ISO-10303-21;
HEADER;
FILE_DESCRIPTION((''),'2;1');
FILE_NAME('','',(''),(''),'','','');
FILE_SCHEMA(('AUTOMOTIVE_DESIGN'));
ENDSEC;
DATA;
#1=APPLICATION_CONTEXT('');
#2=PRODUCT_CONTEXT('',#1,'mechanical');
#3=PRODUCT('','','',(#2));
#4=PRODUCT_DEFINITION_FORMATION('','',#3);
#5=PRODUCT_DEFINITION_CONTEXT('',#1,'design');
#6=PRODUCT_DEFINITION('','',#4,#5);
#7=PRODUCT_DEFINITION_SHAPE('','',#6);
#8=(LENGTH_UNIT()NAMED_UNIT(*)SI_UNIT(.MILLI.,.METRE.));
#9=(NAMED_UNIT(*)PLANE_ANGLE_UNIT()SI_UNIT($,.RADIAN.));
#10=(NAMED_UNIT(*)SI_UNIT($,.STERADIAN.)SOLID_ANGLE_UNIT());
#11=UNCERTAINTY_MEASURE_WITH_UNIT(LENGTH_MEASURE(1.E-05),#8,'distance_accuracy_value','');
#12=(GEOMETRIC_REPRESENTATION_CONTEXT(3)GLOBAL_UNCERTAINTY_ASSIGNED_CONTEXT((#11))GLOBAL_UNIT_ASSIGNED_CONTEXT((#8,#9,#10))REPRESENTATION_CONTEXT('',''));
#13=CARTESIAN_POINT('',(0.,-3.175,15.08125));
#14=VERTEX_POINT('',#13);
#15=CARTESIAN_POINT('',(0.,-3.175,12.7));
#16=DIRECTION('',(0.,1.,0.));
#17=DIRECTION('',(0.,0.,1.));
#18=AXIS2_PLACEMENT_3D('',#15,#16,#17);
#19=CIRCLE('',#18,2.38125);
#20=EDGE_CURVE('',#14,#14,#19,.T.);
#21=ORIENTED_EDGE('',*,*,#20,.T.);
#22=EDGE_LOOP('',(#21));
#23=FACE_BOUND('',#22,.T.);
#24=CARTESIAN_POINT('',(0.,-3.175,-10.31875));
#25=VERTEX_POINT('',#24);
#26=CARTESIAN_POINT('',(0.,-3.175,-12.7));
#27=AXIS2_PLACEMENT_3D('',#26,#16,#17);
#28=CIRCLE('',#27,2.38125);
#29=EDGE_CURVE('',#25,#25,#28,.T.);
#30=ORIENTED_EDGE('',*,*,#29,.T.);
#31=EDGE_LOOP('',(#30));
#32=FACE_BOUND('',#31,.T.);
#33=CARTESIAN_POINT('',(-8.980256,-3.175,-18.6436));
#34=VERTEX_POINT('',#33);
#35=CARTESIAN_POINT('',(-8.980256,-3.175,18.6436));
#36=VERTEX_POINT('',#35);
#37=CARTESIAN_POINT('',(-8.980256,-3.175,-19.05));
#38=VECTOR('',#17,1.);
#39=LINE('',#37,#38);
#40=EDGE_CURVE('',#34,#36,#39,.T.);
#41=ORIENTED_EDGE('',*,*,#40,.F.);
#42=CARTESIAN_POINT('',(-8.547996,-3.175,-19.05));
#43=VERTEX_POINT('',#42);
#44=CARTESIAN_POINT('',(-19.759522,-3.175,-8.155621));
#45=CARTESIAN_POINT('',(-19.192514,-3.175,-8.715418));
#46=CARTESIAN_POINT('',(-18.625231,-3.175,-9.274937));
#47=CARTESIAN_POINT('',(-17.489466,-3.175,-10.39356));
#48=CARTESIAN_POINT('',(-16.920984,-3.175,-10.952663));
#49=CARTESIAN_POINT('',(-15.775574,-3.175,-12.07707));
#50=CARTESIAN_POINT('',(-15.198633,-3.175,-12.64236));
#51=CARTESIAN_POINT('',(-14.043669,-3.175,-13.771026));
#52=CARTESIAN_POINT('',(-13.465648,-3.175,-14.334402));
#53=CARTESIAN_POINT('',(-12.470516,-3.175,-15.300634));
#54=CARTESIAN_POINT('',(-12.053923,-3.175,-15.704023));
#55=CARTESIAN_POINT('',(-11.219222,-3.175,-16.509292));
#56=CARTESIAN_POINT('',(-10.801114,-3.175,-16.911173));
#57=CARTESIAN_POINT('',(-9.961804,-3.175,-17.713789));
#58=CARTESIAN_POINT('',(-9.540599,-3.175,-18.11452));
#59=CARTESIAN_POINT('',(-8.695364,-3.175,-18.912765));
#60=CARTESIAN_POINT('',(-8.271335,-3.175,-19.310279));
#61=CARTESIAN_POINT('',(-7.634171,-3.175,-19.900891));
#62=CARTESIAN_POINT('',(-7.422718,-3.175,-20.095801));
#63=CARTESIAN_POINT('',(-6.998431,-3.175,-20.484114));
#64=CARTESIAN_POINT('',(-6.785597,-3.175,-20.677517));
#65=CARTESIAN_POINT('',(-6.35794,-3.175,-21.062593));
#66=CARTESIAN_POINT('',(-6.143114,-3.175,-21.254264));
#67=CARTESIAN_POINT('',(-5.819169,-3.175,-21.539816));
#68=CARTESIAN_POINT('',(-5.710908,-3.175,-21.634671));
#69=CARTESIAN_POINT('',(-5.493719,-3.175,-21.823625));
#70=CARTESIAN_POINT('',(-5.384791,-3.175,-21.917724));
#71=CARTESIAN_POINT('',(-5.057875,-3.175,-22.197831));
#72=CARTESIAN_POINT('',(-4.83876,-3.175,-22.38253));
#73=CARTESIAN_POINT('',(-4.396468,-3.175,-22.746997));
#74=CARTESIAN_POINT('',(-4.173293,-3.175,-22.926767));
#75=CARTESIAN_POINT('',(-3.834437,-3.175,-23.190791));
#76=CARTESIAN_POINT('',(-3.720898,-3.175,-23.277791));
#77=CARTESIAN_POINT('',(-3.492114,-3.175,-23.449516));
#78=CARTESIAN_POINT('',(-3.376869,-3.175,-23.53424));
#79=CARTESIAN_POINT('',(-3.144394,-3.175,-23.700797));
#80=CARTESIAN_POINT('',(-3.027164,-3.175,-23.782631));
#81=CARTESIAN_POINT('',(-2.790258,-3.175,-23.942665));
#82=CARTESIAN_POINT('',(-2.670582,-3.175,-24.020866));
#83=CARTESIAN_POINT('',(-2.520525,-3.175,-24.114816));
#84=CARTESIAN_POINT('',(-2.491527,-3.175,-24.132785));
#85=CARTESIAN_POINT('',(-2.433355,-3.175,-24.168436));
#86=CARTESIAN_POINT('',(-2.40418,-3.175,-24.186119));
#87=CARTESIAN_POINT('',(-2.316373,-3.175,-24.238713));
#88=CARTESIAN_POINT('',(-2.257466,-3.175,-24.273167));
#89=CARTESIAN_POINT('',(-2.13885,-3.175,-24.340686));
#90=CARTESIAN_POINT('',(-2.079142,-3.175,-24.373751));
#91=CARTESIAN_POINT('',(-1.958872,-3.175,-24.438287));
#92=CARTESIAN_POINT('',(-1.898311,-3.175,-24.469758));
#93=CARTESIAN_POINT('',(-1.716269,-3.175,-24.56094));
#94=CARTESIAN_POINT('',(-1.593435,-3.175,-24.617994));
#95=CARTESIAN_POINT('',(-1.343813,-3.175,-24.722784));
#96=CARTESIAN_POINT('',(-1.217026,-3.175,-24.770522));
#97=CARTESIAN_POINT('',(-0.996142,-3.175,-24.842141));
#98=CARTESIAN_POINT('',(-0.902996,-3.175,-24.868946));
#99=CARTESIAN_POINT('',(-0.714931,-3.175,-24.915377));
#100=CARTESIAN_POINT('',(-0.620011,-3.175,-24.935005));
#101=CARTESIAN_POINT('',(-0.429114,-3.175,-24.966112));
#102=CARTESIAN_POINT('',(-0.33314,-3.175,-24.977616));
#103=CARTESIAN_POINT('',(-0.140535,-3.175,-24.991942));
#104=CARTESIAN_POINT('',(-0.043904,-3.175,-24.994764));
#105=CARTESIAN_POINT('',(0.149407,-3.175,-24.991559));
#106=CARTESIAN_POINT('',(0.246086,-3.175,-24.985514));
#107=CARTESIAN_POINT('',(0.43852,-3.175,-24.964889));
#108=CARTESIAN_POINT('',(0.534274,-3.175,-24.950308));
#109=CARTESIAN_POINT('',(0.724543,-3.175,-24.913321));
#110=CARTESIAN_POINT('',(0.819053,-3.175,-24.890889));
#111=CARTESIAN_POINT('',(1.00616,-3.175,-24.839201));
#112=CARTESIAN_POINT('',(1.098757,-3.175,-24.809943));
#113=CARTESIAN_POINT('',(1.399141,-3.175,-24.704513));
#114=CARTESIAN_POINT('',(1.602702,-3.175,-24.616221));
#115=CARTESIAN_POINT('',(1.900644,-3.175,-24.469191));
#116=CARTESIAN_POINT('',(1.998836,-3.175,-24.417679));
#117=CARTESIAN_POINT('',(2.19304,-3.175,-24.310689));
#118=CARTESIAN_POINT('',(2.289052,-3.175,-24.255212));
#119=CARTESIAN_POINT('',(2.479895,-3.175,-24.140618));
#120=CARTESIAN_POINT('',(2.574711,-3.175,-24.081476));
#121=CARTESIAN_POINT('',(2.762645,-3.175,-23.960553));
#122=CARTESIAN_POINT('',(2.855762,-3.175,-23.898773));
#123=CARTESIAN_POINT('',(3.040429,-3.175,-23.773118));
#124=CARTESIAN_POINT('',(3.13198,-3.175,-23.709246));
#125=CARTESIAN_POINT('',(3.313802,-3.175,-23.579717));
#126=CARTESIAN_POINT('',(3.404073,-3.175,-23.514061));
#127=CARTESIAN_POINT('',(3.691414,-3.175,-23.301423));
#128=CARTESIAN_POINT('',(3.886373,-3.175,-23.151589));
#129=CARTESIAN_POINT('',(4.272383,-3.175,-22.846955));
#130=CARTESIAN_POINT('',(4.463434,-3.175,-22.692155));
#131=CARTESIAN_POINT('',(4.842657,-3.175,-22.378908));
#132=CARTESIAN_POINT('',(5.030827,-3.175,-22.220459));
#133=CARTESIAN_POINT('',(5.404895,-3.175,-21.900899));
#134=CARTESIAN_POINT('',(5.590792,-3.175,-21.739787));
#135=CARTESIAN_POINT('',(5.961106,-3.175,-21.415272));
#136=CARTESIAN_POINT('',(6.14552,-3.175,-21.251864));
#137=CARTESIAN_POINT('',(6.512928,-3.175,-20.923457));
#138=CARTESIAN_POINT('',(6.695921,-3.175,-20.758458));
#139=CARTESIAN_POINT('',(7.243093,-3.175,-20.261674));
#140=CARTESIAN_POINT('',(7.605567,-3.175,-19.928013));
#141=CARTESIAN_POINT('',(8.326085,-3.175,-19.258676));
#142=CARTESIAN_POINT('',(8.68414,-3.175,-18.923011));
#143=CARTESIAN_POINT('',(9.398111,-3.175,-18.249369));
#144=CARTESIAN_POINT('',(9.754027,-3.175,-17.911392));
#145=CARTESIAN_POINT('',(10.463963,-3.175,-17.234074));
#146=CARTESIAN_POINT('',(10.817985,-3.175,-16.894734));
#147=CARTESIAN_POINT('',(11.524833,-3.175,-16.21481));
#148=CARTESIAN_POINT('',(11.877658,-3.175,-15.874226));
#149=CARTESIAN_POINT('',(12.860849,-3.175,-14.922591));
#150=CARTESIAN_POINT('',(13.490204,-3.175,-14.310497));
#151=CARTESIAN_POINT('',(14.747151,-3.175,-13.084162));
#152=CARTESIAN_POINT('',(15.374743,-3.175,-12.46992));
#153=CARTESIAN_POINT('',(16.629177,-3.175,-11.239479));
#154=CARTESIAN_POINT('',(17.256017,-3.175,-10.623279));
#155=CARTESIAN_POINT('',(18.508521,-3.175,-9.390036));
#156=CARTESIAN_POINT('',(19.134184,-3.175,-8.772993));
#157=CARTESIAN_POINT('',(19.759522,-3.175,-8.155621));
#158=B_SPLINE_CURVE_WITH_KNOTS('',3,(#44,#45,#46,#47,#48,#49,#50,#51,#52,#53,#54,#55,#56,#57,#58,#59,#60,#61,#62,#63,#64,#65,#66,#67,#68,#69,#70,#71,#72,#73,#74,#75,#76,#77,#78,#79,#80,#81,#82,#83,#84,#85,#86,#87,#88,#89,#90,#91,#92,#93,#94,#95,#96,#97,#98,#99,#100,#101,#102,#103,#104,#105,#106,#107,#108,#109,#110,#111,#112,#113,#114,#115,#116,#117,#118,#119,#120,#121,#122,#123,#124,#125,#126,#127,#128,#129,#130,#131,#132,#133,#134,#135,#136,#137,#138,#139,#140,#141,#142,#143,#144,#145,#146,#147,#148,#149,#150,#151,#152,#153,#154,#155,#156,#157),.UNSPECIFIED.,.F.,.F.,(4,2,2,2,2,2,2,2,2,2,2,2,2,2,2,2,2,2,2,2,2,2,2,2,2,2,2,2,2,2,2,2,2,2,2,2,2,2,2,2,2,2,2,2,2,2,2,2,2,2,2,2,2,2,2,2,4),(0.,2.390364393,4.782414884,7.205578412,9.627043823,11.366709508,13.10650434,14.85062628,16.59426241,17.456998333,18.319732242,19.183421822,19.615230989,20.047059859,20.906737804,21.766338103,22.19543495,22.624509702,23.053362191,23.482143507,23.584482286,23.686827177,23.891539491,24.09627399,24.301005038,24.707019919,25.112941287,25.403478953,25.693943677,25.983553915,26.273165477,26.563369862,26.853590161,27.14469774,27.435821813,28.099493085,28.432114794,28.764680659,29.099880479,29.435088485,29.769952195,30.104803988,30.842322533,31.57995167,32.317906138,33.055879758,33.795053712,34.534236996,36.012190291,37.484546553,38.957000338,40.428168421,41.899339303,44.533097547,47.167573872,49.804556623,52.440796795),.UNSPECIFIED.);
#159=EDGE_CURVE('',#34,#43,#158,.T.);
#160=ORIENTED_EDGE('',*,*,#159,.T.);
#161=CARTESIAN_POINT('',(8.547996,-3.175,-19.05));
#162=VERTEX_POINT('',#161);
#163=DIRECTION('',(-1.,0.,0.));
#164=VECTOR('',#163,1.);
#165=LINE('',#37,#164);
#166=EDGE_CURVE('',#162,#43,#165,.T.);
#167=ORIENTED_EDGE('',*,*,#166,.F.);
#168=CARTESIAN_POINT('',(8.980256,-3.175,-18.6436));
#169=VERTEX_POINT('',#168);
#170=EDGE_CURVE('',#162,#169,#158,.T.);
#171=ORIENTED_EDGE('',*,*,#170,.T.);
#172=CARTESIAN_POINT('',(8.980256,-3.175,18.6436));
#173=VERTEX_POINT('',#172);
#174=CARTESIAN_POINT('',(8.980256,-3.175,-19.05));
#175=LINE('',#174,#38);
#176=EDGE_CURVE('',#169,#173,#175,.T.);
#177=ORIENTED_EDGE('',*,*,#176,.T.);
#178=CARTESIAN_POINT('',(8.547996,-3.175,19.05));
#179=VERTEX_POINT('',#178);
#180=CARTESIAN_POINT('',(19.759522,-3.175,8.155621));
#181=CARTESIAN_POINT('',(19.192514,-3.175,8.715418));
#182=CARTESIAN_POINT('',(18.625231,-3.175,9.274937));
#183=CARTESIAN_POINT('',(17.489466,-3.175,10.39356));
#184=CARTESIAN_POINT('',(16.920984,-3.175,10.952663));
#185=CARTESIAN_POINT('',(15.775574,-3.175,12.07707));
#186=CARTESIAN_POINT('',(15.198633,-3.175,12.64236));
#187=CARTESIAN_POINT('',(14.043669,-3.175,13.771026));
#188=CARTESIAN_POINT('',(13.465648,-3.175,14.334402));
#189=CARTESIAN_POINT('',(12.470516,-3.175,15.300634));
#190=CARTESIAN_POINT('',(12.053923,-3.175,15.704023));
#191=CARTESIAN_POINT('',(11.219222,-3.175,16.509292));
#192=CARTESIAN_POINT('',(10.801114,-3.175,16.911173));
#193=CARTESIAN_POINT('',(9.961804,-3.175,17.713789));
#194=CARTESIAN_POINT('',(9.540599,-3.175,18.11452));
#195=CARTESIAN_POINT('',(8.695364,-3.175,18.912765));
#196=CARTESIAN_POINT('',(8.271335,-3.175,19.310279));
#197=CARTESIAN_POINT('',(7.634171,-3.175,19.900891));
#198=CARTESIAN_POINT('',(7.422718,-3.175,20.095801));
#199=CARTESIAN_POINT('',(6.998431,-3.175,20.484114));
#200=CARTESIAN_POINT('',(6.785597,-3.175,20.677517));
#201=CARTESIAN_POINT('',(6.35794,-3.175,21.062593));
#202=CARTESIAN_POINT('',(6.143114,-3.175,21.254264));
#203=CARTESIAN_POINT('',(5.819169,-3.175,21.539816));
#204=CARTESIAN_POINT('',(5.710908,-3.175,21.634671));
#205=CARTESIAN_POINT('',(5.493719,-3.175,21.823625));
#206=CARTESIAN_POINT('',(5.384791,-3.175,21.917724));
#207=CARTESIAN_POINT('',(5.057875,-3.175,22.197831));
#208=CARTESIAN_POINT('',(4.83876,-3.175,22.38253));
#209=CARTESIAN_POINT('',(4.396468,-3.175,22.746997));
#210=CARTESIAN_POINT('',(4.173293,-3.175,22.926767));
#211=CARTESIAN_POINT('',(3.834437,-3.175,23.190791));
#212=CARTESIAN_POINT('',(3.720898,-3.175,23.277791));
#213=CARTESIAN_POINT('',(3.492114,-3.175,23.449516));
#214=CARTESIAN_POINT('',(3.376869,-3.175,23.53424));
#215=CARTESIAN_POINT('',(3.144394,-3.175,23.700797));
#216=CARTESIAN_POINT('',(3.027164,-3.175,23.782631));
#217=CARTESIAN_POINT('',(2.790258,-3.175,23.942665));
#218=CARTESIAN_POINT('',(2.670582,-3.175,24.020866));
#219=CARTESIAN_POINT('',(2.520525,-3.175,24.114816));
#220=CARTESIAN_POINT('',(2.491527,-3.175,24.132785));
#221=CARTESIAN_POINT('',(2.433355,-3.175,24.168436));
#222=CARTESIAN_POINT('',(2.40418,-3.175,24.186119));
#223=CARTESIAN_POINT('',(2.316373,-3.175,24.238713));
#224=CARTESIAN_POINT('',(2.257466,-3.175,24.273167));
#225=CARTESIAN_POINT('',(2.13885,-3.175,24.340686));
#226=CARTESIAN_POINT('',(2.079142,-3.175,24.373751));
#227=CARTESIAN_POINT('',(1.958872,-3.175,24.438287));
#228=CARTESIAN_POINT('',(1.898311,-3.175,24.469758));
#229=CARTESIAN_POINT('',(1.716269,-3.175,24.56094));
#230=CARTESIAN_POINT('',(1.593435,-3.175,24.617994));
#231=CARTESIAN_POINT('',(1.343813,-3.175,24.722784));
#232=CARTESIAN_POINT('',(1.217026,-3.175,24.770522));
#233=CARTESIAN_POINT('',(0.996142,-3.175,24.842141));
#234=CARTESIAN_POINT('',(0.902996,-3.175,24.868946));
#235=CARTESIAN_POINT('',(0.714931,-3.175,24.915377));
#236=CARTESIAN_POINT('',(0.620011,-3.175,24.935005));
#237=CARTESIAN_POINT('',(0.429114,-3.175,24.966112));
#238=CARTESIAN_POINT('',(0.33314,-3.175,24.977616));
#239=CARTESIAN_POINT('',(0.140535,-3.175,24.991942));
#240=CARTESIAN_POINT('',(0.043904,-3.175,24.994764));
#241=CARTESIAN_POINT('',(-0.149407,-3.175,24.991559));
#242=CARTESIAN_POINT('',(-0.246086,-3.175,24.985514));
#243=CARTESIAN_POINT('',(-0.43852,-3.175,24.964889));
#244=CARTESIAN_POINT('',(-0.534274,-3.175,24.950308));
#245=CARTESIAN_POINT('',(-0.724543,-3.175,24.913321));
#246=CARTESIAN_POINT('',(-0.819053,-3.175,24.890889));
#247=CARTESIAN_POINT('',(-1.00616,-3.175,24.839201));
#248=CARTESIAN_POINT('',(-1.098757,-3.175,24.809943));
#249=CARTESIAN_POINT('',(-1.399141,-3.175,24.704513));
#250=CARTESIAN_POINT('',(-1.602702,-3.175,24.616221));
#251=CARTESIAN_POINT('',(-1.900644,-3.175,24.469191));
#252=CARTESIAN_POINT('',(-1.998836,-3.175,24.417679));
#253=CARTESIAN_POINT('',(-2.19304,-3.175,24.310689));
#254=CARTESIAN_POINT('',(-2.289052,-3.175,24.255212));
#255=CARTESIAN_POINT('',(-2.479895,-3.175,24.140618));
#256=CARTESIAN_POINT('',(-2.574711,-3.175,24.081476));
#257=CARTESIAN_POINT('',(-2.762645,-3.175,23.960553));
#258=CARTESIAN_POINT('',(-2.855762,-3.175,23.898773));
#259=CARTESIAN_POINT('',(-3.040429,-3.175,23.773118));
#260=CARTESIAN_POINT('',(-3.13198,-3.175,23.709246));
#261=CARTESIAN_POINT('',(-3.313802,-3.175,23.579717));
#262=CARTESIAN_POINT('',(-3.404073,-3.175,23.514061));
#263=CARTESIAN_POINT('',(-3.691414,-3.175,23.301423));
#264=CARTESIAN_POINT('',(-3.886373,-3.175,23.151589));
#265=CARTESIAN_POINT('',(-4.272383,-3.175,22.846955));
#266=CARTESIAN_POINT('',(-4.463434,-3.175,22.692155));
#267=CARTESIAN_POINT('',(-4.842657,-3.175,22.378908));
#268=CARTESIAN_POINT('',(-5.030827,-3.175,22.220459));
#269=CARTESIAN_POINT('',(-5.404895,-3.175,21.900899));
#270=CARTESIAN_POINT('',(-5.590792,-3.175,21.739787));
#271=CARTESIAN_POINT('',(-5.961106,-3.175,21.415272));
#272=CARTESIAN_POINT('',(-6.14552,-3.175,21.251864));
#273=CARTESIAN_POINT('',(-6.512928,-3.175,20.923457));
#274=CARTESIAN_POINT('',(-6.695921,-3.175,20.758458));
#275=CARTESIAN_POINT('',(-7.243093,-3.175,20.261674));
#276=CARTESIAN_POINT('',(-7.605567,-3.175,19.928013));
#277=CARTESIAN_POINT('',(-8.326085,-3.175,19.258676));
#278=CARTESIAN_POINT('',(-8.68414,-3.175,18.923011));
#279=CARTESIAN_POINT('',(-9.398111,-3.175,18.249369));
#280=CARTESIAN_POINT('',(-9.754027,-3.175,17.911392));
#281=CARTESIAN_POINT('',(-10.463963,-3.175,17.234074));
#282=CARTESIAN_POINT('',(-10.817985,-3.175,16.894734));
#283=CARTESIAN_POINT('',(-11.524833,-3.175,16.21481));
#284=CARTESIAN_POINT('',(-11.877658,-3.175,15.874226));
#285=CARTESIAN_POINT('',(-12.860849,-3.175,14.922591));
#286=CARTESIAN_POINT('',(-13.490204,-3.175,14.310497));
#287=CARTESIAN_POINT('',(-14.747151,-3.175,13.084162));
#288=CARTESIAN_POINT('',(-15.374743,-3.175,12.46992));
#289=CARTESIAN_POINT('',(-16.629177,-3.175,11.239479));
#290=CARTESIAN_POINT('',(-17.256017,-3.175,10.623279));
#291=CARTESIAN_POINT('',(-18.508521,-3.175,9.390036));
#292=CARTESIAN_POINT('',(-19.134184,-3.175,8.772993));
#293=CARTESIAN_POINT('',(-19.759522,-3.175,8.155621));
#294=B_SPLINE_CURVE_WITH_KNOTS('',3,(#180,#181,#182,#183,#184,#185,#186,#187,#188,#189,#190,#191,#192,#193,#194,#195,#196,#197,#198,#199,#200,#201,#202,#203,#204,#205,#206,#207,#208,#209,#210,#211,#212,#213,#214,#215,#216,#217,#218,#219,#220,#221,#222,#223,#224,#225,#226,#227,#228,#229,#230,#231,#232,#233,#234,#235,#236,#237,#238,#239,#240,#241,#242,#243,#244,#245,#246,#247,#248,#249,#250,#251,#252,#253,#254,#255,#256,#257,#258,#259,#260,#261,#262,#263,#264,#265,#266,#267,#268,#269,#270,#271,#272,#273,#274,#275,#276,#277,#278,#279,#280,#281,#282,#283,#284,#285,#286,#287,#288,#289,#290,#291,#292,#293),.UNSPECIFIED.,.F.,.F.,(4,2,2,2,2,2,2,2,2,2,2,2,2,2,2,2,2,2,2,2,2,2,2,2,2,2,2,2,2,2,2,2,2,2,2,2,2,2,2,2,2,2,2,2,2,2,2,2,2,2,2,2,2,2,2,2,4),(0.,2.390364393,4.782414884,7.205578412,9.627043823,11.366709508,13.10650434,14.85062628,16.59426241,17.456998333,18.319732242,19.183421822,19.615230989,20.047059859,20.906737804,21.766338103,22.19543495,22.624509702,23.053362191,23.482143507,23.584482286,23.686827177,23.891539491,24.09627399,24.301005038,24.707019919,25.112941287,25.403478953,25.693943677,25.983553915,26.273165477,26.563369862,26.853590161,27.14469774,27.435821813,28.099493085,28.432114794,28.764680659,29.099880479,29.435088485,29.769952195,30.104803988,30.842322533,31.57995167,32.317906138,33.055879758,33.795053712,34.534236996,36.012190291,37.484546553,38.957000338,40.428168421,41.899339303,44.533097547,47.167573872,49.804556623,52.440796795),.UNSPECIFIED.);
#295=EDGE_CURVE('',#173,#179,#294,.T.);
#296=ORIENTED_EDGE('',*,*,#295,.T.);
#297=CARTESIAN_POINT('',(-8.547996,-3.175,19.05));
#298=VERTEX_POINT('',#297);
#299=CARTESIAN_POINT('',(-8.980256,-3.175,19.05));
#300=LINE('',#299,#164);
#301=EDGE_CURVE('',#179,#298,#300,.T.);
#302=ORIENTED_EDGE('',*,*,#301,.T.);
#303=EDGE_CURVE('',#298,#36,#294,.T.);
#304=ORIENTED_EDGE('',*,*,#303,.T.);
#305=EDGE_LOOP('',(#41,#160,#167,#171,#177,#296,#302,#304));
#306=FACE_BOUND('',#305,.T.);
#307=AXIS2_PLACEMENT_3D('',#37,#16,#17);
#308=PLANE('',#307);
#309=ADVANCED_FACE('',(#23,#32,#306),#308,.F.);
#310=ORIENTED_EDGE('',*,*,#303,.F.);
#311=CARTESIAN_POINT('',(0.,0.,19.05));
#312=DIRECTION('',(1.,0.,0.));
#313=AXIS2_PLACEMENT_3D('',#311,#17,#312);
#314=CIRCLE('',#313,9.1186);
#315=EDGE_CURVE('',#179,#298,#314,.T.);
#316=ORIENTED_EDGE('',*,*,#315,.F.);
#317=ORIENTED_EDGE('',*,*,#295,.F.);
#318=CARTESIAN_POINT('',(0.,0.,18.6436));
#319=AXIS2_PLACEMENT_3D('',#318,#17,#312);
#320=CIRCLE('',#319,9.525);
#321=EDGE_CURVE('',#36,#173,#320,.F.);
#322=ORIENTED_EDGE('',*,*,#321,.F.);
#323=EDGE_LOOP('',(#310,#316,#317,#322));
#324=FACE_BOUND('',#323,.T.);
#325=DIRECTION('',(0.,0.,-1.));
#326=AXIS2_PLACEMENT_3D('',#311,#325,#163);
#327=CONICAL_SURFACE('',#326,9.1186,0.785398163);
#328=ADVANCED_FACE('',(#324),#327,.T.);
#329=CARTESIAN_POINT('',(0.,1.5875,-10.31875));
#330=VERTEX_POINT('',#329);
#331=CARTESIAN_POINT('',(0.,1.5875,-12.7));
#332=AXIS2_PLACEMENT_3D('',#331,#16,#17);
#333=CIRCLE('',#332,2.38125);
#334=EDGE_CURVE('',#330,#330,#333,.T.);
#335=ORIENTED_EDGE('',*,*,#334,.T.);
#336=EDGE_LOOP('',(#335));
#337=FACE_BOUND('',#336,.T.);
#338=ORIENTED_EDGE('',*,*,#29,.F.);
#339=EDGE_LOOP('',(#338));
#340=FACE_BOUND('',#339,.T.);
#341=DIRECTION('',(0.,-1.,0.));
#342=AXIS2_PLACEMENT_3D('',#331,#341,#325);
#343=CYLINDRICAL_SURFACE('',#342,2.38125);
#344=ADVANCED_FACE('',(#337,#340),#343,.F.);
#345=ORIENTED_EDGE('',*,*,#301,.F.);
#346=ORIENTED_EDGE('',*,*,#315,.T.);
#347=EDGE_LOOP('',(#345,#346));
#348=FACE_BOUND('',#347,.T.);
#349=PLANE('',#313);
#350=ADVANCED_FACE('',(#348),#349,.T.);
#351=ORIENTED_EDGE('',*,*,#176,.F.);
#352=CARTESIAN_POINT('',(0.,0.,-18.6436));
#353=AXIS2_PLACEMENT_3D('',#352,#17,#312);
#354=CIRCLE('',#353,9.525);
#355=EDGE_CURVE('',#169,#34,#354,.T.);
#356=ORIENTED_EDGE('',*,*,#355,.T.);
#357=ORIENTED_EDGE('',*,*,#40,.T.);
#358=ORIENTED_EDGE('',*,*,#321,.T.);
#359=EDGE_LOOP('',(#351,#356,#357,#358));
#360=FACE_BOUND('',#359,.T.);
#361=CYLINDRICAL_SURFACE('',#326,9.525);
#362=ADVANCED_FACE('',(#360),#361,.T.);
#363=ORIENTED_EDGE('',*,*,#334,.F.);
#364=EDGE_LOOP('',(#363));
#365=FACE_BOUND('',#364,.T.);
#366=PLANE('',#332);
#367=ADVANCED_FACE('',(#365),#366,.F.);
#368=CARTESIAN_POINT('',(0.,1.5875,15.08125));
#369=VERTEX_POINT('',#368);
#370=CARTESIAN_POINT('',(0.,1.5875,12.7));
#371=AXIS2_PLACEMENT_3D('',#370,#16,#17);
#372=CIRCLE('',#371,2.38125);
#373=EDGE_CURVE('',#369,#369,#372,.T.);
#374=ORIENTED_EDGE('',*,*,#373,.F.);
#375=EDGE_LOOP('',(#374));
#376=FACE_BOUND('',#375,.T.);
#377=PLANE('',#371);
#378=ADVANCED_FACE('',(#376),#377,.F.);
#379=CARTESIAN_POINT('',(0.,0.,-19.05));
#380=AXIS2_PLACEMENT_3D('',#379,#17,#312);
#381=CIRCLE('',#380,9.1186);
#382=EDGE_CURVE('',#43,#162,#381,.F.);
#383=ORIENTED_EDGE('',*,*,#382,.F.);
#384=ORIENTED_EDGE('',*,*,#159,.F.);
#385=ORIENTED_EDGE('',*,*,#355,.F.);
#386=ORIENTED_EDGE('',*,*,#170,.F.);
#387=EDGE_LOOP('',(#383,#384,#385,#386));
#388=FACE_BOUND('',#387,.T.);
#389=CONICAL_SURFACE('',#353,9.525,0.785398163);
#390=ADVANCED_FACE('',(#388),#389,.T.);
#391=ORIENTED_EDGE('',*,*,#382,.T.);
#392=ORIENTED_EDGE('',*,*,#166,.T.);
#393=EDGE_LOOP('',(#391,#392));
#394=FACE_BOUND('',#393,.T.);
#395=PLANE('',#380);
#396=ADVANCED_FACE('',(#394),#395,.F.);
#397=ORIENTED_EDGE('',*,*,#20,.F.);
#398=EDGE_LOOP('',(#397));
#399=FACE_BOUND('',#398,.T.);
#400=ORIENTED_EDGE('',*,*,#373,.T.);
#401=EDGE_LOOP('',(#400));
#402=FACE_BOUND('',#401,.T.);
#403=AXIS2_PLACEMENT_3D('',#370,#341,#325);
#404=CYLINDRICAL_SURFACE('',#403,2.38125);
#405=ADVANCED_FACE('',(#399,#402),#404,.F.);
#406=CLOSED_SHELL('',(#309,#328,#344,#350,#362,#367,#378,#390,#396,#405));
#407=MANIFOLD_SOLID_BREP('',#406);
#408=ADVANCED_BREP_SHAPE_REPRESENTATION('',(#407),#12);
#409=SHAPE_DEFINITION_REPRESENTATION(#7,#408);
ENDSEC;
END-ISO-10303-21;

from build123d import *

# Parameters (mm, degrees)
SKETCH1_R            = 9.525
EXTRUDE1_DEPTH       = 19.05
CHAMFER1_SIZE        = 0.4064
TRUNCATED_DEPTH      = 20.05
TRUNCATED_DEPTH_BACK = 20.05
SKETCH6_R            = 2.38125
BLIND_HOLES_DEPTH    = 4.7625


with BuildPart() as part:
    # Sketch1 → Extrude1 (new body, symmetric)
    with BuildSketch(Plane.XY):
        Circle(SKETCH1_R)
    extrude(amount=EXTRUDE1_DEPTH, both=True)

    # Chamfer1
    chamfer1_edges = [part.edges().sort_by_distance(p)[0] for p in [
        (-9.525, 0, -19.05),
        (-9.525, 0, 19.05),
    ]]
    chamfer(chamfer1_edges, length=CHAMFER1_SIZE)

    # Sketch2 → Truncated (cut, two sides)
    with BuildSketch(Plane.XY) as truncated_sk:
        with BuildLine():
            Line((-8.980256121, -3.175), (8.980256121, -3.175))
            ThreePointArc((8.980256121, -3.175), (0, -9.525), (-8.980256121, -3.175))
        make_face()
    extrude(amount=TRUNCATED_DEPTH, mode=Mode.SUBTRACT)
    extrude(truncated_sk.sketch, amount=-TRUNCATED_DEPTH_BACK, mode=Mode.SUBTRACT)

    # Sketch6 → Blind Holes (cut)
    with BuildSketch(Plane(origin=(0, -3.175, 0), x_dir=(-1, 0, 0), z_dir=(0, 1, 0))):
        with Locations(Location((0, 12.7, 0), (0, 0, 90))):  # turned: the seam where the file's is
            Circle(SKETCH6_R)
        with Locations(Location((0, -12.7, 0), (0, 0, 90))):  # turned: the seam where the file's is
            Circle(SKETCH6_R)
    extrude(amount=BLIND_HOLES_DEPTH, mode=Mode.SUBTRACT)


solid = part.part
